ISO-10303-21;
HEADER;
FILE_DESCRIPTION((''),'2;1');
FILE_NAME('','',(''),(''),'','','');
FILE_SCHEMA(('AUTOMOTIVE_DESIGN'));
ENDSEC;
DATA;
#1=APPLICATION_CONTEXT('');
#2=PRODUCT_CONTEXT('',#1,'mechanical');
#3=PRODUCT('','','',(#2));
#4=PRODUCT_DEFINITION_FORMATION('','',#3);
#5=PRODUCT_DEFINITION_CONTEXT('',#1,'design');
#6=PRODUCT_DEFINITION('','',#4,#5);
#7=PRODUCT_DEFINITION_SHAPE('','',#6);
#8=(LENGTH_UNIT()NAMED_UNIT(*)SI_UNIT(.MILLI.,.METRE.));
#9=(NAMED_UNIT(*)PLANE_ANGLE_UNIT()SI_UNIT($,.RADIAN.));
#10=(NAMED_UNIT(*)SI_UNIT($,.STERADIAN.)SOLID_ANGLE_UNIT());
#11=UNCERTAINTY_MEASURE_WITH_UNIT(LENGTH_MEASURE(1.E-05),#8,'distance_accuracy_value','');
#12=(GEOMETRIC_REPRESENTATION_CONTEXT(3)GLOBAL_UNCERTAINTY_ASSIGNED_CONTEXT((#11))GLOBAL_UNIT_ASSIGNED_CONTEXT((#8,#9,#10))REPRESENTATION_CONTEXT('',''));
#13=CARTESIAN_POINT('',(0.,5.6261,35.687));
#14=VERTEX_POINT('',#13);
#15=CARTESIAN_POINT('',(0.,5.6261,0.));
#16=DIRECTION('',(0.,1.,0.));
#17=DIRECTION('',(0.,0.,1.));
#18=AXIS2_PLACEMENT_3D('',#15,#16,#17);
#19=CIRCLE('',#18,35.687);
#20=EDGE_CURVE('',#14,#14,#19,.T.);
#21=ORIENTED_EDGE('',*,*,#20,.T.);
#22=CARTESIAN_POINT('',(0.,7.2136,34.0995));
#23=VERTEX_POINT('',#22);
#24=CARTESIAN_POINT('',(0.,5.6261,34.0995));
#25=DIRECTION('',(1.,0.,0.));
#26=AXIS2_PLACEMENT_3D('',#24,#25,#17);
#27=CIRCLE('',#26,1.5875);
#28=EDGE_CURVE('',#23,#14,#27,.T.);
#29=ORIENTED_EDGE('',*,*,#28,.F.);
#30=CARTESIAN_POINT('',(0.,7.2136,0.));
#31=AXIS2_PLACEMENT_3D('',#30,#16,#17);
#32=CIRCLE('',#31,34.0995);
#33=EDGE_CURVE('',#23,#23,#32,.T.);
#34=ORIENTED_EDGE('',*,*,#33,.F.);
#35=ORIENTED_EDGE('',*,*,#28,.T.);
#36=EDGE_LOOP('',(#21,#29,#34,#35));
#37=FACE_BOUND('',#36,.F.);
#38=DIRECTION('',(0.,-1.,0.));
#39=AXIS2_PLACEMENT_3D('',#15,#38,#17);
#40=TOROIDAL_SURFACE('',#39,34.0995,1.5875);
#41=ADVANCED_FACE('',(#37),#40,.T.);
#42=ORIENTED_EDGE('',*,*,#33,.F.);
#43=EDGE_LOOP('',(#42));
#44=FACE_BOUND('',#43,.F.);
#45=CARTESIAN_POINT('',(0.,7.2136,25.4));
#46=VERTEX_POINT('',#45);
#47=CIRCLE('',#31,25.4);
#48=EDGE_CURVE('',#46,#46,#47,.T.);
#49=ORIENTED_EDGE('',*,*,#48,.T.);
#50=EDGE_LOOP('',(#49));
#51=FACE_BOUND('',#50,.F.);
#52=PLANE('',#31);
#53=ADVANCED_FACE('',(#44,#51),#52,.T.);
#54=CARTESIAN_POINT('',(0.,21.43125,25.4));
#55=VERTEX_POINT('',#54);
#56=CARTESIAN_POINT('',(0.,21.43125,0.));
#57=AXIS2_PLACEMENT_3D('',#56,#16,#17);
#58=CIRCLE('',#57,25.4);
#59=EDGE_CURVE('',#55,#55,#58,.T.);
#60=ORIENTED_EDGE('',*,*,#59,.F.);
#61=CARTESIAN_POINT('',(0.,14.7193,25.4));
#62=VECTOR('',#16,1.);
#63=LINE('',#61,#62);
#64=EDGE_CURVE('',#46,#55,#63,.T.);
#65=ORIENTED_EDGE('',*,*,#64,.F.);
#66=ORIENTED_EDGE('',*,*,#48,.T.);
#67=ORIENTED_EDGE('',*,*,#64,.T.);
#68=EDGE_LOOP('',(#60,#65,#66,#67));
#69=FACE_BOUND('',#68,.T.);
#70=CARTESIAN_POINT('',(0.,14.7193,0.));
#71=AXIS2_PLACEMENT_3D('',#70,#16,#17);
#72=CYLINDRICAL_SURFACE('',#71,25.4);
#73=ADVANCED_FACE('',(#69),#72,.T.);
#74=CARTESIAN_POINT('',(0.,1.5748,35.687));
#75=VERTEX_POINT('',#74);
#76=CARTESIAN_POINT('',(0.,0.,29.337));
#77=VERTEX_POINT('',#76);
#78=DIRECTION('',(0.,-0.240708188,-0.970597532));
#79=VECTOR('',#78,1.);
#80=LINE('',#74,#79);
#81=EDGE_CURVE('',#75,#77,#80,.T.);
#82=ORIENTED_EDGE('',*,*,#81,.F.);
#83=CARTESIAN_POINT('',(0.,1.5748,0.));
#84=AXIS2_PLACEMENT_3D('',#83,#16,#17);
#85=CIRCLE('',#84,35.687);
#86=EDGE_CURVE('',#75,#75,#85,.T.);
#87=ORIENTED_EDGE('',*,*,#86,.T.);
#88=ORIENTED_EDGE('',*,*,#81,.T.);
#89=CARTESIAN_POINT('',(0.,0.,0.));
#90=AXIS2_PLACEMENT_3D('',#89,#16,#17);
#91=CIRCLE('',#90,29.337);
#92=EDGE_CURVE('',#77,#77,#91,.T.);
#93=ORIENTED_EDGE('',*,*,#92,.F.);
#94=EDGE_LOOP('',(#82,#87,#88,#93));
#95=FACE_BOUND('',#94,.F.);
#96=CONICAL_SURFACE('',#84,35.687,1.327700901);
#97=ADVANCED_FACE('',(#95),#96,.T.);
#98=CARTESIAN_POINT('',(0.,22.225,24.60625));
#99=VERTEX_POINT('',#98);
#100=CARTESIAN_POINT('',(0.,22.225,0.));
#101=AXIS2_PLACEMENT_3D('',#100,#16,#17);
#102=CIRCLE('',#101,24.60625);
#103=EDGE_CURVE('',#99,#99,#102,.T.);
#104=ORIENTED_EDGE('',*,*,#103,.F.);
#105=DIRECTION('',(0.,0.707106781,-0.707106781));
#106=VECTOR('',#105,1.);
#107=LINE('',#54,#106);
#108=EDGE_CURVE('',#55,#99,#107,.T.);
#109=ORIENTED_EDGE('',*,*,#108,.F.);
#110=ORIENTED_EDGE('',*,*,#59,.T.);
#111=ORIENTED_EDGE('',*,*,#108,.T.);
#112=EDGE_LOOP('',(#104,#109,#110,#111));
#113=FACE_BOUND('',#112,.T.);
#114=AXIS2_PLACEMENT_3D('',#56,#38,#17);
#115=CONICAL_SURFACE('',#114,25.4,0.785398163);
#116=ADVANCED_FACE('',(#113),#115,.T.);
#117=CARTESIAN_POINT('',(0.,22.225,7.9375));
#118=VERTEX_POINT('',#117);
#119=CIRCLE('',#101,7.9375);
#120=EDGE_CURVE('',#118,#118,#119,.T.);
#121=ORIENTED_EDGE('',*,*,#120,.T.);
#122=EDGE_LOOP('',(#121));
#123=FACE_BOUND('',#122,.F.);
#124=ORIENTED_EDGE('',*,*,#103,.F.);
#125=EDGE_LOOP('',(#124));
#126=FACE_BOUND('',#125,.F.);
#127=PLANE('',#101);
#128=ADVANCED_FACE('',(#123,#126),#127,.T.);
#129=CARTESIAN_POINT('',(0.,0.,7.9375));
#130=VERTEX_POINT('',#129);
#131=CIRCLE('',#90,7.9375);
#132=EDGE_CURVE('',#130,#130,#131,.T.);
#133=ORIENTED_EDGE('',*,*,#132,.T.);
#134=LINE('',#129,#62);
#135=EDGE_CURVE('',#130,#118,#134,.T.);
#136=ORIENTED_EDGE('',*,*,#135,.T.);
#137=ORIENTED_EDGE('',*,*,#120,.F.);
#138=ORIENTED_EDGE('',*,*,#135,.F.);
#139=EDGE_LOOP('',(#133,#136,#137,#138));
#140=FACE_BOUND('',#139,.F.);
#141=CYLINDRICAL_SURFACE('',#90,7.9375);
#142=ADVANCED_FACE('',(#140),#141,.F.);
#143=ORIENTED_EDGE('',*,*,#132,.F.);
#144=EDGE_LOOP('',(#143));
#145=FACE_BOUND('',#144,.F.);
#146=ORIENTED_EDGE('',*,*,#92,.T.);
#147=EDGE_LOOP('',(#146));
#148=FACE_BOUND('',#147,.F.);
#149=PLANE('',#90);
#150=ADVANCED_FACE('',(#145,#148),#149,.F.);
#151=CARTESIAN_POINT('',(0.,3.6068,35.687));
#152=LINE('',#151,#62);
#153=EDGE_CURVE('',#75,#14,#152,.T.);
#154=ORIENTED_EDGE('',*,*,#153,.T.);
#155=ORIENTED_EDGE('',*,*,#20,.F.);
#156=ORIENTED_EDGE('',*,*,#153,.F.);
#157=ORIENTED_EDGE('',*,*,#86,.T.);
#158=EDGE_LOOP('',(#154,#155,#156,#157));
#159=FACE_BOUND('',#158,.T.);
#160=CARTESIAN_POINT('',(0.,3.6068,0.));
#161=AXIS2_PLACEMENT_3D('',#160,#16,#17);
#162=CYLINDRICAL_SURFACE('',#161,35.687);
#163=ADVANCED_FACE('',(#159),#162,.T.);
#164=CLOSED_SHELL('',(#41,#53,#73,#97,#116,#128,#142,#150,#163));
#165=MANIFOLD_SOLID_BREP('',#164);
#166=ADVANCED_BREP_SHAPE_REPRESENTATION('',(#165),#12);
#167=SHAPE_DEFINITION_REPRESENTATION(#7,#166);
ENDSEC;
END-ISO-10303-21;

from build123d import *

# Parameters (mm, degrees)
F0_W     = 7.2136
F0_H     = 10.287
F0_H_2   = 17.4625
F0_W_2   = 15.0114
F2_R     = 1.5875
F3_SIZE  = 0.79375
F4_SIZE2 = 6.35
F4_SIZE  = 1.5748


with BuildPart() as f1:
    # F0 (on Right) → F1 (revolve)
    with BuildSketch(Plane.YZ):
        with Locations((3.6068, 30.5435)):
            Rectangle(F0_W, F0_H)
        with Locations((3.6068, 16.66875)):
            Rectangle(F0_W, F0_H_2)
        with Locations((14.7193, 16.66875)):
            Rectangle(F0_W_2, F0_H_2)
    revolve(axis=Axis((0, 6.4671109096, 0), (0, 1, 0)))

    # F2
    f2_edges = [f1.edges().sort_by_distance(p)[0] for p in [
        (0, 7.2136, -35.687),
    ]]
    fillet(f2_edges, radius=F2_R)

    # F3
    f3_edges = [f1.edges().sort_by_distance(p)[0] for p in [
        (0, 22.225, -25.4),
    ]]
    chamfer(f3_edges, length=F3_SIZE)

    # F4
    f4_edges = [f1.edges().sort_by_distance(p)[0] for p in [
        (0, 0, -35.687),
        (0, 5.6261, -35.687),
    ]]
    f4_side = f1.faces().sort_by_distance((0, 2.81305, -35.687))[0]
    chamfer(f4_edges, length=F4_SIZE, length2=F4_SIZE2, reference=f4_side)


solid = f1.part
